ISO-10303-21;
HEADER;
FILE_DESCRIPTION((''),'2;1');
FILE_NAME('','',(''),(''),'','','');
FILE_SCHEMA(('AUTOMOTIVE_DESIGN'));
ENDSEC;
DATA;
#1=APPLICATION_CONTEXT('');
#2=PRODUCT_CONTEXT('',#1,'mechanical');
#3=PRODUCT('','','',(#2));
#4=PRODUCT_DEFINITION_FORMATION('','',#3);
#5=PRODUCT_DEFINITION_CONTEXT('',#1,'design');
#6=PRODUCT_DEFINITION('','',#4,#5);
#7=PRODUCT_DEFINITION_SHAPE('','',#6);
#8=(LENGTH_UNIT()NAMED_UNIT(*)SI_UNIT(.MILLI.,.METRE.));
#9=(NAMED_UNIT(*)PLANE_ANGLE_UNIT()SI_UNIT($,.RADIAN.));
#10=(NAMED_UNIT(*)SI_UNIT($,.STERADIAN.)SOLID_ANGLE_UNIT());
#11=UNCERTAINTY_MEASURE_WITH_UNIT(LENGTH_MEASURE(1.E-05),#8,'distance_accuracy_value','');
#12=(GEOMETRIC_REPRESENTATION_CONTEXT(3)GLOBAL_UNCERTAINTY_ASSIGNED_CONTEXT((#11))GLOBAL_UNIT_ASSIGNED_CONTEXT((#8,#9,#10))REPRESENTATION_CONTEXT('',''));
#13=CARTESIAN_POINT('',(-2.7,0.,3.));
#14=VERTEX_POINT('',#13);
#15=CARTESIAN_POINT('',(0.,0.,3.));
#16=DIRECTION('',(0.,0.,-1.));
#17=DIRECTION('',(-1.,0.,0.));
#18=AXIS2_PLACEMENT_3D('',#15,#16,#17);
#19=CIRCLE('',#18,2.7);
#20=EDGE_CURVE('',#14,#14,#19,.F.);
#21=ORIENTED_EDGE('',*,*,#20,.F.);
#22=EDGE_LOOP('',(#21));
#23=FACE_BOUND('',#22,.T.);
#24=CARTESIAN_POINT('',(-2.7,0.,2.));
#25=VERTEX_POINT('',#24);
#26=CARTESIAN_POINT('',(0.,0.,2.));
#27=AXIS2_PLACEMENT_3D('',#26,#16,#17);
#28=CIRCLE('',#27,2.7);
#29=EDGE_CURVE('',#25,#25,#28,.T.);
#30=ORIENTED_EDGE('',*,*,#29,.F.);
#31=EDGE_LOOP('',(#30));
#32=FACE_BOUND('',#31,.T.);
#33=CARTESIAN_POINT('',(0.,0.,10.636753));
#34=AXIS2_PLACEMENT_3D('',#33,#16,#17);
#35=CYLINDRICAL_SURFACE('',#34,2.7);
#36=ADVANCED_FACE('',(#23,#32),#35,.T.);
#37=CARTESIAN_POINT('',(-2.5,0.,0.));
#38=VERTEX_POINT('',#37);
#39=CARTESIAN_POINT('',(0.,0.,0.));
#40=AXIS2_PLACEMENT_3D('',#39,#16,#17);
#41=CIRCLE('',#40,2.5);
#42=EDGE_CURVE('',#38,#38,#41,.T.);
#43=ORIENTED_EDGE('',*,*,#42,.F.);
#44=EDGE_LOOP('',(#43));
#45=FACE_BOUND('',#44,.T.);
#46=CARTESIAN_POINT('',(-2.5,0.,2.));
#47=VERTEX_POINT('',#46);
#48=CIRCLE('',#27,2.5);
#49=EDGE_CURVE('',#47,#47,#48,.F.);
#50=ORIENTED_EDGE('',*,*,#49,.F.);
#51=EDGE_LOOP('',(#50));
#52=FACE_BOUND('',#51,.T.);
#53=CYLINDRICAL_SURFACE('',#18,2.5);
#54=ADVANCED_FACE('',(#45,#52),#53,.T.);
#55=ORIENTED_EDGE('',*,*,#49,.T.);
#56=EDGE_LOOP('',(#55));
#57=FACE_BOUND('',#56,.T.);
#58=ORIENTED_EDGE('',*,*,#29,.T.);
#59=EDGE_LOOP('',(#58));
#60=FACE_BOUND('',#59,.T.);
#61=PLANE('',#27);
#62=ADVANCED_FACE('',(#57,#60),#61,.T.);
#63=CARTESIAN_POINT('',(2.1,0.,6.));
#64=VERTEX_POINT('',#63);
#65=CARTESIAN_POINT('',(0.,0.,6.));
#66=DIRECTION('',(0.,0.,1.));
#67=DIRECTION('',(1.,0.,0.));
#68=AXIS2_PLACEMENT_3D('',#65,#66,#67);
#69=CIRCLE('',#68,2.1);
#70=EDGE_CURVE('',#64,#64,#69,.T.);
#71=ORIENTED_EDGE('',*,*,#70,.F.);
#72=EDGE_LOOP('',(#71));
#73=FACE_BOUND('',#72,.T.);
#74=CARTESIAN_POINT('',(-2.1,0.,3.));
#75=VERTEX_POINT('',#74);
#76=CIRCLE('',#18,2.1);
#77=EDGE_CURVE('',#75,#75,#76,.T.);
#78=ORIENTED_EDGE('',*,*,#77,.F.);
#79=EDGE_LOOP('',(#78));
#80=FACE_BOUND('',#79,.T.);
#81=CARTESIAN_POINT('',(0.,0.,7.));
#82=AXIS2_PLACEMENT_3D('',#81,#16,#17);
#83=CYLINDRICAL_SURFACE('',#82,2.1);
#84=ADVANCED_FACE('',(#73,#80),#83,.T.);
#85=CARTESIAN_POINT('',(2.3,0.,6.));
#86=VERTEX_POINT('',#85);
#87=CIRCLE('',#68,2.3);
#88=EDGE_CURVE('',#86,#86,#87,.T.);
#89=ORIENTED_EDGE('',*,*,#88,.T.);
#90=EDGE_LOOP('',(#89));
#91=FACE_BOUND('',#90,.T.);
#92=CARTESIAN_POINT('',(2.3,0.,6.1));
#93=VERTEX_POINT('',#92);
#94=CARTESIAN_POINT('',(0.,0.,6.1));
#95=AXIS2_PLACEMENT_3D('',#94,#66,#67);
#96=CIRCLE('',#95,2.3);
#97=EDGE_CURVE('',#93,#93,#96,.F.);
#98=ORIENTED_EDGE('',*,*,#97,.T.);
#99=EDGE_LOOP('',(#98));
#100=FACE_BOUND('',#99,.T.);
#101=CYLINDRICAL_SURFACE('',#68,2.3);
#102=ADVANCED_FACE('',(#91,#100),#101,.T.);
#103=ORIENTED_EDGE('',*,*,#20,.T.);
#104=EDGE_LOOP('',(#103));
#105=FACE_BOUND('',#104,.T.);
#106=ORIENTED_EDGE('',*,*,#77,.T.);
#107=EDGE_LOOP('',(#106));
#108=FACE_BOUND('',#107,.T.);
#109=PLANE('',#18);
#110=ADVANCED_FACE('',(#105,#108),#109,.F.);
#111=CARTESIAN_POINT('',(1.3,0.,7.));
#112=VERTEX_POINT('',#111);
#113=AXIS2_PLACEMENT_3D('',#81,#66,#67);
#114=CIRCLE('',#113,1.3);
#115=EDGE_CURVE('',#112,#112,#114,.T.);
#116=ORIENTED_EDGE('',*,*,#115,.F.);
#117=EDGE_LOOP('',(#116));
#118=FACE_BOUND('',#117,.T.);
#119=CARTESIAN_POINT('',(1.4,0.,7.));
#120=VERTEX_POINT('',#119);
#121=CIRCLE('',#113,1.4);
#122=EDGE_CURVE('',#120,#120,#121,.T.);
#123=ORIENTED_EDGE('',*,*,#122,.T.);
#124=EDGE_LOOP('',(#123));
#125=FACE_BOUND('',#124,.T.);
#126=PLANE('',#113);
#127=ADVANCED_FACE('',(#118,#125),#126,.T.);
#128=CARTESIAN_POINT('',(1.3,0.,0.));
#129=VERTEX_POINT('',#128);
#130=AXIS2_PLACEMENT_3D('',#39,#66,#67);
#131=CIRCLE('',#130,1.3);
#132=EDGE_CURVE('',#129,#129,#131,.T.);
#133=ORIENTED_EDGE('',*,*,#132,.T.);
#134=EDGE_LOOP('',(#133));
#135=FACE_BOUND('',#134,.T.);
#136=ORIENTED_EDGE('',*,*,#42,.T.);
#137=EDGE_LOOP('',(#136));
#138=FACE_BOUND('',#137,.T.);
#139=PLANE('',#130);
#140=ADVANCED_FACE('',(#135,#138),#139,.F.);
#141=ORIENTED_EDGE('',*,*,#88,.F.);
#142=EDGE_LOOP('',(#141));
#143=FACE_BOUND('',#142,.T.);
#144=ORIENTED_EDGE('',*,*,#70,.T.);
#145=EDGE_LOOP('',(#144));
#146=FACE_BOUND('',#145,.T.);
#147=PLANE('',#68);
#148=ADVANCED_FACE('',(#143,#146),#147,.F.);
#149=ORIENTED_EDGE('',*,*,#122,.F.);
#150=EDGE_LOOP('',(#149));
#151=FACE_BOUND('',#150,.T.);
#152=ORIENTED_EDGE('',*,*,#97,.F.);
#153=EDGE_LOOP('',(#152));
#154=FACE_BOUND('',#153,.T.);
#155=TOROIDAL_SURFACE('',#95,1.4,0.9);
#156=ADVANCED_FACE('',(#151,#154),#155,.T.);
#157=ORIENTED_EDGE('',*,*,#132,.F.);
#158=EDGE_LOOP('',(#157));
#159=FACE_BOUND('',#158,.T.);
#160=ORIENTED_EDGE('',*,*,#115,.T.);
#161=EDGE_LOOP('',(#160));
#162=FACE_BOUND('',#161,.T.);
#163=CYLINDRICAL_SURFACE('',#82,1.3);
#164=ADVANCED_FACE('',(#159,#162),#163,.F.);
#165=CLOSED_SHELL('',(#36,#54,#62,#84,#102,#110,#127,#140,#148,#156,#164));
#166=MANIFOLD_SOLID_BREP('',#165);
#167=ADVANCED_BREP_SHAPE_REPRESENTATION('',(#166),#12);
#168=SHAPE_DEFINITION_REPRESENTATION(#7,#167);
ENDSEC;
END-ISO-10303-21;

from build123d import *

# Parameters (mm, degrees)
SKETCH1_R           = 2.1
SKETCH1_R_2         = 1.3
BOSS_EXTRUDE1_DEPTH = 7
SKETCH2_R           = 2.5
SKETCH2_R_2         = 2.1
BOSS_EXTRUDE2_DEPTH = 3
BOSS_EXTRUDE3_START = -1
SKETCH3_R           = 2.3
SKETCH3_R_2         = 2.1
BOSS_EXTRUDE3_DEPTH = 1
BOSS_EXTRUDE4_START = -2
SKETCH4_R           = 2.7
SKETCH4_R_2         = 2.5
BOSS_EXTRUDE4_DEPTH = 1
FILLET1_R           = 0.9


with BuildPart() as part:
    # Sketch1 → Boss-Extrude1 (new body)
    with BuildSketch(Plane.XY):
        Circle(SKETCH1_R)
        Circle(SKETCH1_R_2, mode=Mode.SUBTRACT)
    extrude(amount=BOSS_EXTRUDE1_DEPTH)

    # Sketch2 → Boss-Extrude2 (add)
    with BuildSketch(Plane(origin=(0, 0, 0), x_dir=(-1, 0, 0), z_dir=(0, 0, -1))):
        Circle(SKETCH2_R)
        Circle(SKETCH2_R_2, mode=Mode.SUBTRACT)
    extrude(amount=-BOSS_EXTRUDE2_DEPTH)

    # Sketch3 → Boss-Extrude3 (add)
    with BuildSketch(Plane.XY.offset(7).offset(BOSS_EXTRUDE3_START)):
        Circle(SKETCH3_R)
        with Locations(Location((0, 0, 0), (0, 0, 180))):
            Circle(SKETCH3_R_2, mode=Mode.SUBTRACT)
    extrude(amount=BOSS_EXTRUDE3_DEPTH)

    # Sketch4 → Boss-Extrude4 (add)
    with BuildSketch(Plane(origin=(0, 0, 0), x_dir=(-1, 0, 0), z_dir=(0, 0, -1)).offset(BOSS_EXTRUDE4_START)):
        Circle(SKETCH4_R)
        Circle(SKETCH4_R_2, mode=Mode.SUBTRACT)
    extrude(amount=-BOSS_EXTRUDE4_DEPTH)

    # Fillet1
    fillet1_edges = [part.edges().sort_by_distance(p)[0] for p in [
        (-2.3, 0, 7),
    ]]
    fillet(fillet1_edges, radius=FILLET1_R)


solid = part.part
